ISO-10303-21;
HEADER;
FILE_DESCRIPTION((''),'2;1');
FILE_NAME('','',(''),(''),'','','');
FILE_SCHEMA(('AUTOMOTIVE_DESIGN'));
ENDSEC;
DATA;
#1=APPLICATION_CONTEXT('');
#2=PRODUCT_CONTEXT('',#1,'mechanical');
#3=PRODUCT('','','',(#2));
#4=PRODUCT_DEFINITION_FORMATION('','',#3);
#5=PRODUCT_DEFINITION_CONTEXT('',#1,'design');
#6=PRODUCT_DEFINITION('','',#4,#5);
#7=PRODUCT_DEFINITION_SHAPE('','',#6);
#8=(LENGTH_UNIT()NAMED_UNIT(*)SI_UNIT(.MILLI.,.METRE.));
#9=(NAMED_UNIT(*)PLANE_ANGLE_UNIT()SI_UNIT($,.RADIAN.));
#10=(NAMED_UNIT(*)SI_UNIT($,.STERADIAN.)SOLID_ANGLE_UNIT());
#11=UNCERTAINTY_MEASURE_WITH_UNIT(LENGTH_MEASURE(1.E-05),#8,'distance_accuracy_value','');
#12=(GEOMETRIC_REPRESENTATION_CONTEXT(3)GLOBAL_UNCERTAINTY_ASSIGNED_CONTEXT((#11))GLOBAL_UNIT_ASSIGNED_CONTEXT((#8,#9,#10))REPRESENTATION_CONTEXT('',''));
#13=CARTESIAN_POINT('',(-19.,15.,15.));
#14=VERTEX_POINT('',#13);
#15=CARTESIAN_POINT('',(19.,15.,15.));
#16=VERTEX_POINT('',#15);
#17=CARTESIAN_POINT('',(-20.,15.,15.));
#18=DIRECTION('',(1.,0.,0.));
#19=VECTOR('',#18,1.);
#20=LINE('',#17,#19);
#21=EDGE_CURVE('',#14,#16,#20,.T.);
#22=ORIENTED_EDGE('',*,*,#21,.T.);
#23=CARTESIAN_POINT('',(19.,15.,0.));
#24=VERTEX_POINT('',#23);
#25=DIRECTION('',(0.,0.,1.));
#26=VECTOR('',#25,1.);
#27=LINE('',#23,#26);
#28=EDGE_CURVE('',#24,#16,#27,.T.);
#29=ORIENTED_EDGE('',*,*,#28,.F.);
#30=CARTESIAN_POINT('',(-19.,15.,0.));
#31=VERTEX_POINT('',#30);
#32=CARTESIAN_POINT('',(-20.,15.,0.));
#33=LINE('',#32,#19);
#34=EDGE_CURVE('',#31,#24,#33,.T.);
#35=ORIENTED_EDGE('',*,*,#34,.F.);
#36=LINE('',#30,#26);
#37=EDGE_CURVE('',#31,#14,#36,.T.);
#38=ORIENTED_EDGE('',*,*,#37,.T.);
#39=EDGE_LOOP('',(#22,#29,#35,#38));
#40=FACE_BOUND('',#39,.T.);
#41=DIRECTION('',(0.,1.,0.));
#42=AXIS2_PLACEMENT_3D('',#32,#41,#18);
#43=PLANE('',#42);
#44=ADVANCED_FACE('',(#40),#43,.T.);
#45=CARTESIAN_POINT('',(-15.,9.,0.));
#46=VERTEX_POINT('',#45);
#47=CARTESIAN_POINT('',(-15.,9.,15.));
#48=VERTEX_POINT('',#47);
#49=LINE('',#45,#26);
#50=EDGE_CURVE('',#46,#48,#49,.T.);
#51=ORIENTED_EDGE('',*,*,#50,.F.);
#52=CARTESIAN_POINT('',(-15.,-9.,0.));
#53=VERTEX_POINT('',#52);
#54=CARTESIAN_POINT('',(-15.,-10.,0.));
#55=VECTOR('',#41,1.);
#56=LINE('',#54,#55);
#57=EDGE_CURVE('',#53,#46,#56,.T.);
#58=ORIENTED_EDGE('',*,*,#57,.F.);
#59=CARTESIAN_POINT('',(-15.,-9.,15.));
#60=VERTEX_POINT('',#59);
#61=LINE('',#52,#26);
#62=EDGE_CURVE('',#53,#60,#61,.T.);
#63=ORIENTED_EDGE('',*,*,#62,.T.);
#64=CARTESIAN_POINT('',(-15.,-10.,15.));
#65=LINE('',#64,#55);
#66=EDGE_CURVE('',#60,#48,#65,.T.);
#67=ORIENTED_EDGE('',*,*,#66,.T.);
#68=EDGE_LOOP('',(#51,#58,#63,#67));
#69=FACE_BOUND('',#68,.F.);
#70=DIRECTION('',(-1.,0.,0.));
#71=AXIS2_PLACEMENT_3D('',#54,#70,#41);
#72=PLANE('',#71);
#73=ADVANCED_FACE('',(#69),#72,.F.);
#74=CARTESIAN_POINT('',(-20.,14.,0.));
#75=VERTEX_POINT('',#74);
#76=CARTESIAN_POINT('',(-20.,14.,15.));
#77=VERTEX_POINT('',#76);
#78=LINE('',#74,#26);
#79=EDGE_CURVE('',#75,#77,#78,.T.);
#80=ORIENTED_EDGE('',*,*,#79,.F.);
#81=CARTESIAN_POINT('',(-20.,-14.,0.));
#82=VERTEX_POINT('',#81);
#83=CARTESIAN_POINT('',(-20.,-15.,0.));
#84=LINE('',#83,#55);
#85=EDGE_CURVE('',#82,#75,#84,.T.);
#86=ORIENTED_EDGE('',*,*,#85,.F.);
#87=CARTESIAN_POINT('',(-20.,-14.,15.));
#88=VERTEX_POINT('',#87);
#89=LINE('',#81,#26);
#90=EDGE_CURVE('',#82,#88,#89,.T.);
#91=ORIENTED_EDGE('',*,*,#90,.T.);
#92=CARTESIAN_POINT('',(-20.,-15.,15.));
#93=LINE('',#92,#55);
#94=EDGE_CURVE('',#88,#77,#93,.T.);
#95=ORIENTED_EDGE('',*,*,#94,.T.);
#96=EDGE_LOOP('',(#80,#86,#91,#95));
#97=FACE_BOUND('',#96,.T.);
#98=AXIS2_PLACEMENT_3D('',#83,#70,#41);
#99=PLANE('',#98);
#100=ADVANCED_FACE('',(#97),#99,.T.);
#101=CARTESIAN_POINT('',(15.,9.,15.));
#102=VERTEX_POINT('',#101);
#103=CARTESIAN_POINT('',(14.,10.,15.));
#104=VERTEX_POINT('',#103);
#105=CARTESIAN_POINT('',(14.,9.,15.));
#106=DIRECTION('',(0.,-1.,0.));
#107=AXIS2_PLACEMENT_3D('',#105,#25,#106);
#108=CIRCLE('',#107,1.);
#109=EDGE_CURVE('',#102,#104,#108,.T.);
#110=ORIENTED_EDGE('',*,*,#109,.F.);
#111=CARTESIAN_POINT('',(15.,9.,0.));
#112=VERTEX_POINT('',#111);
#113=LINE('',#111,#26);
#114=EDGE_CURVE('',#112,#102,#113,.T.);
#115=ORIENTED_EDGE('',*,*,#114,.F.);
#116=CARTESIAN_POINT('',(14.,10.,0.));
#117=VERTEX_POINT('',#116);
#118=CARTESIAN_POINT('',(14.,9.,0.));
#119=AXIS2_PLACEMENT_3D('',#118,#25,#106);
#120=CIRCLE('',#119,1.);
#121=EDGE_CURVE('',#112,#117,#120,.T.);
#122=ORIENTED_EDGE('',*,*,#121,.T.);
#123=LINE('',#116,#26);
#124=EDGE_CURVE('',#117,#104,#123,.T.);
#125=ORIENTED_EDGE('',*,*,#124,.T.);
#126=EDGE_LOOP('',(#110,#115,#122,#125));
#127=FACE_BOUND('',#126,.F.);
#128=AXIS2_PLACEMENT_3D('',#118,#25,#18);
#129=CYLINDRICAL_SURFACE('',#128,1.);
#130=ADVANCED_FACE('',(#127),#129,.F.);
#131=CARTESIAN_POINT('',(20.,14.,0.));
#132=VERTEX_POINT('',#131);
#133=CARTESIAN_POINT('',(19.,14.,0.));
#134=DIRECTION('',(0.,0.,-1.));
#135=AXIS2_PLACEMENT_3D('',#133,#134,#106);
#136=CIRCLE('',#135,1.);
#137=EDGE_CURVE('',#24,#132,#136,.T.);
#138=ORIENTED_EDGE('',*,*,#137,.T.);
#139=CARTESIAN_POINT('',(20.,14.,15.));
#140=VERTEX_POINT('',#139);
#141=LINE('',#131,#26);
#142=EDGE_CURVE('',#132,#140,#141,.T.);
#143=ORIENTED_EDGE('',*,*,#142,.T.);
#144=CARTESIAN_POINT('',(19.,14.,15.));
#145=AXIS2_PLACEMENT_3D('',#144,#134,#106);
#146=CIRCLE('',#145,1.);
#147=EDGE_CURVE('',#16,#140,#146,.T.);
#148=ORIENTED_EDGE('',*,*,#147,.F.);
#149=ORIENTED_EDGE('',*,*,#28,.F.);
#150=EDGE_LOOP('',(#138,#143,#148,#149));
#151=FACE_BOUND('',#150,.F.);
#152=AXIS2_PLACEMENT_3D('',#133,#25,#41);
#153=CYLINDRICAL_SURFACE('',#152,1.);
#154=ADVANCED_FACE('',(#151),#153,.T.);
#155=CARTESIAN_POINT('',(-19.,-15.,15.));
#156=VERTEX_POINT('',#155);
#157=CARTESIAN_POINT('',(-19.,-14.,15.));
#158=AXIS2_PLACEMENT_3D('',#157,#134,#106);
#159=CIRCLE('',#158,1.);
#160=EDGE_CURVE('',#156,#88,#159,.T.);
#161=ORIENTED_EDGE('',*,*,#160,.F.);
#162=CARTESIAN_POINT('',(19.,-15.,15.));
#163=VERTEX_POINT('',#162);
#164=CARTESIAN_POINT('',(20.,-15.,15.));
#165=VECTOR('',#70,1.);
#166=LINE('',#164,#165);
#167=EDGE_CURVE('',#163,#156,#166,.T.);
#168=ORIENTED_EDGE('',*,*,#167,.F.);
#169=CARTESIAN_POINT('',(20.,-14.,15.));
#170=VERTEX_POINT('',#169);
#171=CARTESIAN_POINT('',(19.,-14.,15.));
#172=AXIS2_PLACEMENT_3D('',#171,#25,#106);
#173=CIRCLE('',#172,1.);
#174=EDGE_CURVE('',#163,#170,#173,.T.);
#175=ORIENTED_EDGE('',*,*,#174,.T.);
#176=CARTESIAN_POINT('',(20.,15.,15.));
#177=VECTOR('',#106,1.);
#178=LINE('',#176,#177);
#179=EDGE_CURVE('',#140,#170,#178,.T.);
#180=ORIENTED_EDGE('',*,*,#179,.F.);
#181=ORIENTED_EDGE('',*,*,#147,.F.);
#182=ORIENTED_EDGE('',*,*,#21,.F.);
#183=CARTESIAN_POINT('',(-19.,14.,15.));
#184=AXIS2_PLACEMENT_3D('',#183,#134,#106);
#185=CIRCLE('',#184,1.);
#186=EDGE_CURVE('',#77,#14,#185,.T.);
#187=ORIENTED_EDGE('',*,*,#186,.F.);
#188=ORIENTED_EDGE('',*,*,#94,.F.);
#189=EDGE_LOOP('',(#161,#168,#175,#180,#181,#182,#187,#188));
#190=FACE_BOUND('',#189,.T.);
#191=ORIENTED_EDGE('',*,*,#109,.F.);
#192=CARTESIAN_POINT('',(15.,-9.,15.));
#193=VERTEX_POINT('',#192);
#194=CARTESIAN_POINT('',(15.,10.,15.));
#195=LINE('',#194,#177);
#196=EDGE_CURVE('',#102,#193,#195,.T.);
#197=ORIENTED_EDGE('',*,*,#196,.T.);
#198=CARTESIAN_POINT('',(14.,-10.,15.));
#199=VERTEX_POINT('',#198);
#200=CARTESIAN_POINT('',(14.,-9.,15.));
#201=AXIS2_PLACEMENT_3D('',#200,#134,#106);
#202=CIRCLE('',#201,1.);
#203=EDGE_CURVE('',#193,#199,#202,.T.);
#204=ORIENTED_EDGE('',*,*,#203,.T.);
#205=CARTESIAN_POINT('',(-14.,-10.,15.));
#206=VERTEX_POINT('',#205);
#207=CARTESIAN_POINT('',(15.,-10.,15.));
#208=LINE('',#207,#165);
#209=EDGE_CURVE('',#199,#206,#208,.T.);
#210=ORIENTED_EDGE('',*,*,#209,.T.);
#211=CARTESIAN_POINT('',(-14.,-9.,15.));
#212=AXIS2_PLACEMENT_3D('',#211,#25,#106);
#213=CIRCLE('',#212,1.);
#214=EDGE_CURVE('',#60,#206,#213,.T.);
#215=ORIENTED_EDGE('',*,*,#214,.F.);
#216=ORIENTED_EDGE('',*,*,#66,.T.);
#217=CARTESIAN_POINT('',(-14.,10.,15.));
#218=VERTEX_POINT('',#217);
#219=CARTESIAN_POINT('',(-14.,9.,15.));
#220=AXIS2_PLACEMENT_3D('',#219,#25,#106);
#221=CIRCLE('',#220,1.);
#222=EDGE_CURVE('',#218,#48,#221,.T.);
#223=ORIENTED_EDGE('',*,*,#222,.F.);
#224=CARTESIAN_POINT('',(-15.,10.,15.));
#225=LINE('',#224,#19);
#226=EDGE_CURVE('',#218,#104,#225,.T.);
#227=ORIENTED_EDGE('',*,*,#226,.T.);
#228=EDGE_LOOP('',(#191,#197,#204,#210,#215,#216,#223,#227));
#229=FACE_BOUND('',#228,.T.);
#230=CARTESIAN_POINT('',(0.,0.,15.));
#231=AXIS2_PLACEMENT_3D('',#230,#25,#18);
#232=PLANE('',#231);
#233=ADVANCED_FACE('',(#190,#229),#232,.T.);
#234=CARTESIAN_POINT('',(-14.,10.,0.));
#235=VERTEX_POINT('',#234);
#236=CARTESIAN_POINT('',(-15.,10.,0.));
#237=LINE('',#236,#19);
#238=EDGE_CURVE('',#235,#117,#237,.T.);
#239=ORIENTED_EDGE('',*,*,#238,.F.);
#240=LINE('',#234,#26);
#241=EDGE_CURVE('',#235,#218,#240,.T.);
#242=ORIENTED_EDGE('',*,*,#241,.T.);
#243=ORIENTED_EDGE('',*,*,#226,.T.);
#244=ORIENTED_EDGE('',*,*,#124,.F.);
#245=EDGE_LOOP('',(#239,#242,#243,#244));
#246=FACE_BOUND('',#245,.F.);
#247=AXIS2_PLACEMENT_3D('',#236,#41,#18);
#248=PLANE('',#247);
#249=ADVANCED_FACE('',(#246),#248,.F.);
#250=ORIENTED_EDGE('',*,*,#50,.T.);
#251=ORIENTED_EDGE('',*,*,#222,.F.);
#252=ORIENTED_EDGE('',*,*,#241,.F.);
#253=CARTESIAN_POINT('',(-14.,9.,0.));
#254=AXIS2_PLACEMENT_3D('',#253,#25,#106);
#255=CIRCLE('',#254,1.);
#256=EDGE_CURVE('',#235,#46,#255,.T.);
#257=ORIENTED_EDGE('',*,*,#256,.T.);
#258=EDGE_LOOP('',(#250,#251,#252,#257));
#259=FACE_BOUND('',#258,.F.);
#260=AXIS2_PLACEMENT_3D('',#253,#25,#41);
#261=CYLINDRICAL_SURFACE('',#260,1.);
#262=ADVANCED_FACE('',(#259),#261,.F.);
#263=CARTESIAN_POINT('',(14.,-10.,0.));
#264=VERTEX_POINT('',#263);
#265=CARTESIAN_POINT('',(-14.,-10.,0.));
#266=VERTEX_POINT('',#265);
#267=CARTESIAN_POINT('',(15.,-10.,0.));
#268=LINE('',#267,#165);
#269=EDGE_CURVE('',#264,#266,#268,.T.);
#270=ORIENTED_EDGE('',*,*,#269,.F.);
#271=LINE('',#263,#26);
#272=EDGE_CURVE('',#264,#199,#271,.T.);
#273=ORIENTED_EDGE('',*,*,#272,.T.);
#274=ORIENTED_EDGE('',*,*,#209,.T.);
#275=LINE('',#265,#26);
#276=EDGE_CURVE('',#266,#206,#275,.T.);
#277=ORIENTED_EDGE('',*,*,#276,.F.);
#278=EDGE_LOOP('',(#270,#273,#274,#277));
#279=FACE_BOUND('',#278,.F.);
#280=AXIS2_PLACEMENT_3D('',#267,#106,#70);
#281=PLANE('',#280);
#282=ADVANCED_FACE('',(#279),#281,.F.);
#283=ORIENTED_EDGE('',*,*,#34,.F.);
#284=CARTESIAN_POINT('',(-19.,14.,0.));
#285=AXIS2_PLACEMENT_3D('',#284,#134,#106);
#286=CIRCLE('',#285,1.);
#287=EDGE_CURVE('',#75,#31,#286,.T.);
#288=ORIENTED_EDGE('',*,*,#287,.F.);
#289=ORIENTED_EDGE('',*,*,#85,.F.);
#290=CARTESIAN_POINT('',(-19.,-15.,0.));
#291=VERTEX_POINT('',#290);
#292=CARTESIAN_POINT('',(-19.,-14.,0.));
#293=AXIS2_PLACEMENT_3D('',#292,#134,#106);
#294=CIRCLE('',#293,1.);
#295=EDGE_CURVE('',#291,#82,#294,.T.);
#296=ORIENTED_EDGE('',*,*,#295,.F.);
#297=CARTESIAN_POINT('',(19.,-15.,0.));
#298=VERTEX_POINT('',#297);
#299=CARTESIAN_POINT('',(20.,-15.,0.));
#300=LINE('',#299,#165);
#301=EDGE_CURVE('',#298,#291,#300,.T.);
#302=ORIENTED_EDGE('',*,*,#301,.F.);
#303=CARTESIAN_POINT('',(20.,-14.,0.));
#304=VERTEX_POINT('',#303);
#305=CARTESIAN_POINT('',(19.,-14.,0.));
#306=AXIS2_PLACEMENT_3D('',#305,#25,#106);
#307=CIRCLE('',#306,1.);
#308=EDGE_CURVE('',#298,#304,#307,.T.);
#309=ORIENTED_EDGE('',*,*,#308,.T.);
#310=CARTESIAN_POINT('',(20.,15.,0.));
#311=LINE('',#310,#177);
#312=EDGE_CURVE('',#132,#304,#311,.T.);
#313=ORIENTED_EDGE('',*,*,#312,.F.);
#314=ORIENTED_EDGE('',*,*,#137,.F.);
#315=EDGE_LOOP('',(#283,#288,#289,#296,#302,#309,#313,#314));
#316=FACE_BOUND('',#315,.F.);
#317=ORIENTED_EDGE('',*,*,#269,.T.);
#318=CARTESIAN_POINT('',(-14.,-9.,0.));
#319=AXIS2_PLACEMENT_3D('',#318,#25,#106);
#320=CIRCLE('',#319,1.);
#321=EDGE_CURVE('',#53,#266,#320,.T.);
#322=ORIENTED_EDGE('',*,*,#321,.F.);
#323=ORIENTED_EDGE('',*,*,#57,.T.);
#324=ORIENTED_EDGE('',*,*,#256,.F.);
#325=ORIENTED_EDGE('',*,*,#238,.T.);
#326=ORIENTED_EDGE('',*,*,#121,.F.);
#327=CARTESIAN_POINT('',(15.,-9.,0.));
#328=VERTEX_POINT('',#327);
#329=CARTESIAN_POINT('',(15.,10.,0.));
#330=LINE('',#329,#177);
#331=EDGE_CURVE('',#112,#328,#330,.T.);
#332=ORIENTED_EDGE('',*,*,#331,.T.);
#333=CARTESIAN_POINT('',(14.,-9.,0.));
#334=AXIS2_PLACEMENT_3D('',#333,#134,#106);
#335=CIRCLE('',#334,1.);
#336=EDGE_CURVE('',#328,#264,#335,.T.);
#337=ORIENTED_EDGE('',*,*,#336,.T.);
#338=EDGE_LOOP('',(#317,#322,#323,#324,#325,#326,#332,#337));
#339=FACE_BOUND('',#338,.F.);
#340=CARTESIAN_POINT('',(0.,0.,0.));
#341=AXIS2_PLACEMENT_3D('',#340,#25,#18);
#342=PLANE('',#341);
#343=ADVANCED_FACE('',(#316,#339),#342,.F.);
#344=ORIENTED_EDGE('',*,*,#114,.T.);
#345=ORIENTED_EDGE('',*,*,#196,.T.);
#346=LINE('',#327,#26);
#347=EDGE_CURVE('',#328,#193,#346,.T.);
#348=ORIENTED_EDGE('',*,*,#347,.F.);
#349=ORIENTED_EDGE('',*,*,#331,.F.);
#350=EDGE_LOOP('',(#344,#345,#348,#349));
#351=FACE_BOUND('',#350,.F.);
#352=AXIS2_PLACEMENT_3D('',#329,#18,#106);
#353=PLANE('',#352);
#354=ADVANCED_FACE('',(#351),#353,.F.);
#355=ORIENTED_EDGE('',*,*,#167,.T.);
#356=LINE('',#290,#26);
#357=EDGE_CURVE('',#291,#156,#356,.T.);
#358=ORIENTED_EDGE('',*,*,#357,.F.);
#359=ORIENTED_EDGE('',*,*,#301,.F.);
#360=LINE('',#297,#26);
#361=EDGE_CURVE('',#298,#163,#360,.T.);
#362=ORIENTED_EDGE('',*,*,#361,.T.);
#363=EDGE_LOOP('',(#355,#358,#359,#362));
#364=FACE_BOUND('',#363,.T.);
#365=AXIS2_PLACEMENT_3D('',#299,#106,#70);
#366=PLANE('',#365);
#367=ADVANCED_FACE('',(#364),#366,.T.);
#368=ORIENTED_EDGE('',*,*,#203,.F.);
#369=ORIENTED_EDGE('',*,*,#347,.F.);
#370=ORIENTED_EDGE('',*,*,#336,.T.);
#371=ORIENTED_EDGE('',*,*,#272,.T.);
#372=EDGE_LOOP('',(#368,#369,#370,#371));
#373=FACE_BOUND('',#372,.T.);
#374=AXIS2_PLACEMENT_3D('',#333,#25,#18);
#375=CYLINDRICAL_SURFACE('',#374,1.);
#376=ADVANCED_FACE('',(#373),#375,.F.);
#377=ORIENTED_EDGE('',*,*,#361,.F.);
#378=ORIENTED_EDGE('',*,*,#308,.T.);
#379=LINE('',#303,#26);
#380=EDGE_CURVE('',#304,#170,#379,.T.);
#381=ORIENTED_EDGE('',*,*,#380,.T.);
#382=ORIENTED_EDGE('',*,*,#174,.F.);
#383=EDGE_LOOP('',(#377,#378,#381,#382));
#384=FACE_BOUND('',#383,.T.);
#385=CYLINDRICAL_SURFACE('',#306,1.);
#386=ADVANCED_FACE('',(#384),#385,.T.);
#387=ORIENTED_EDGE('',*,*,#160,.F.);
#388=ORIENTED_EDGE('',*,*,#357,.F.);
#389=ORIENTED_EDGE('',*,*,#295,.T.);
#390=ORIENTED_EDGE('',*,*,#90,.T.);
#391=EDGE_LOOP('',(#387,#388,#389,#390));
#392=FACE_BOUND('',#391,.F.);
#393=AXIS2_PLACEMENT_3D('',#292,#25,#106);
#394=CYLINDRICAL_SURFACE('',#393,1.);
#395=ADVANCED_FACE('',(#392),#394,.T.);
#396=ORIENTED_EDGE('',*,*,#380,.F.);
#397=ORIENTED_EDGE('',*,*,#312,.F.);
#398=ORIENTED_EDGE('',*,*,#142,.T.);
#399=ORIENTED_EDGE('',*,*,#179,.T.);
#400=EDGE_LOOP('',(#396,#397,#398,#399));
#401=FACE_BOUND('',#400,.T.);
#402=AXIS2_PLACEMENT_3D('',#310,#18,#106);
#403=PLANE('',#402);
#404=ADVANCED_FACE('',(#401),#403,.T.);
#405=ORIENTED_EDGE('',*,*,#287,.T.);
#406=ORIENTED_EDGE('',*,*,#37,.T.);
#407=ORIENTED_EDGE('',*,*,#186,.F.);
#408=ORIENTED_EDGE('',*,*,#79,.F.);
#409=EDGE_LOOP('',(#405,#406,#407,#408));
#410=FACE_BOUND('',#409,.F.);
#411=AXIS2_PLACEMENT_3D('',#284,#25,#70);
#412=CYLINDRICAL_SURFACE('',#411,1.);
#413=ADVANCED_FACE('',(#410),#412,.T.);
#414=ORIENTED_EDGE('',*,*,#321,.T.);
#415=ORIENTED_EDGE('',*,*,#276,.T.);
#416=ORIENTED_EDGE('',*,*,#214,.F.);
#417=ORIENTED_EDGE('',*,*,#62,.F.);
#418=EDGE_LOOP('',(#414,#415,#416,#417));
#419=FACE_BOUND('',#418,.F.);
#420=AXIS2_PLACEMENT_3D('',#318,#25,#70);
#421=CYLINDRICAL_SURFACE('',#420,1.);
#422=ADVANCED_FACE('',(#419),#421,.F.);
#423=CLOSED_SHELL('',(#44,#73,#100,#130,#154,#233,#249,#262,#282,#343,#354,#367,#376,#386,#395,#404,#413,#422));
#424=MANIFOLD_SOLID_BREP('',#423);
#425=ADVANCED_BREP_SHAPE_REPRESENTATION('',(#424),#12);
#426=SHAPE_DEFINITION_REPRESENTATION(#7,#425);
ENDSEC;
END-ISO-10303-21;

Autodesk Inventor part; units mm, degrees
ref_plane "YZ Plane" through (0, 0, 0) normal (1, 0, 0) x (0, 1, 0)
ref_plane "XZ Plane" through (0, 0, 0) normal (0, 1, 0) x (-1, 0, 0)
ref_plane "XY Plane" through (0, 0, 0) normal (0, 0, 1) x (1, 0, 0)
sketch "Sketch1" plane through (0, 0, 0) normal (0, 0, 1) x (1, 0, 0)
  line L0 (15, -10) -> (-15, -10)
  line L1 (-15, -10) -> (-15, 10)
  line L2 (-15, 10) -> (15, 10)
  line L3 (15, 10) -> (15, -10)
  line L4 (15, -10) -> (-15, 10) construction
  line L5 (-15, -10) -> (15, 10) construction
  line L6 (20, -15) -> (-20, -15)
  line L7 (-20, -15) -> (-20, 15)
  line L8 (-20, 15) -> (20, 15)
  line L9 (20, 15) -> (20, -15)
  line L10 (20, -15) -> (-20, 15) construction
  line L11 (-20, -15) -> (20, 15) construction
  point P0 (0, 0)
  dimension "d0" = 30
  dimension "d1" = 20
  dimension "d2" = 40
  dimension "d3" = 30
extrude "Extrusion1" add sketch "Sketch1" along normal blind 15
fillet "Fillet1" radius 1 4 edges at (-15, -10, 7.5) (-15, 10, 7.5) (15, 10, 7.5) (15, -10, 7.5)
fillet "Fillet2" radius 1 4 edges at (-20, 15, 7.5) (-20, -15, 7.5) (20, 15, 7.5) (20, -15, 7.5)
properties part number "agarose-mold-mouse-brain"
